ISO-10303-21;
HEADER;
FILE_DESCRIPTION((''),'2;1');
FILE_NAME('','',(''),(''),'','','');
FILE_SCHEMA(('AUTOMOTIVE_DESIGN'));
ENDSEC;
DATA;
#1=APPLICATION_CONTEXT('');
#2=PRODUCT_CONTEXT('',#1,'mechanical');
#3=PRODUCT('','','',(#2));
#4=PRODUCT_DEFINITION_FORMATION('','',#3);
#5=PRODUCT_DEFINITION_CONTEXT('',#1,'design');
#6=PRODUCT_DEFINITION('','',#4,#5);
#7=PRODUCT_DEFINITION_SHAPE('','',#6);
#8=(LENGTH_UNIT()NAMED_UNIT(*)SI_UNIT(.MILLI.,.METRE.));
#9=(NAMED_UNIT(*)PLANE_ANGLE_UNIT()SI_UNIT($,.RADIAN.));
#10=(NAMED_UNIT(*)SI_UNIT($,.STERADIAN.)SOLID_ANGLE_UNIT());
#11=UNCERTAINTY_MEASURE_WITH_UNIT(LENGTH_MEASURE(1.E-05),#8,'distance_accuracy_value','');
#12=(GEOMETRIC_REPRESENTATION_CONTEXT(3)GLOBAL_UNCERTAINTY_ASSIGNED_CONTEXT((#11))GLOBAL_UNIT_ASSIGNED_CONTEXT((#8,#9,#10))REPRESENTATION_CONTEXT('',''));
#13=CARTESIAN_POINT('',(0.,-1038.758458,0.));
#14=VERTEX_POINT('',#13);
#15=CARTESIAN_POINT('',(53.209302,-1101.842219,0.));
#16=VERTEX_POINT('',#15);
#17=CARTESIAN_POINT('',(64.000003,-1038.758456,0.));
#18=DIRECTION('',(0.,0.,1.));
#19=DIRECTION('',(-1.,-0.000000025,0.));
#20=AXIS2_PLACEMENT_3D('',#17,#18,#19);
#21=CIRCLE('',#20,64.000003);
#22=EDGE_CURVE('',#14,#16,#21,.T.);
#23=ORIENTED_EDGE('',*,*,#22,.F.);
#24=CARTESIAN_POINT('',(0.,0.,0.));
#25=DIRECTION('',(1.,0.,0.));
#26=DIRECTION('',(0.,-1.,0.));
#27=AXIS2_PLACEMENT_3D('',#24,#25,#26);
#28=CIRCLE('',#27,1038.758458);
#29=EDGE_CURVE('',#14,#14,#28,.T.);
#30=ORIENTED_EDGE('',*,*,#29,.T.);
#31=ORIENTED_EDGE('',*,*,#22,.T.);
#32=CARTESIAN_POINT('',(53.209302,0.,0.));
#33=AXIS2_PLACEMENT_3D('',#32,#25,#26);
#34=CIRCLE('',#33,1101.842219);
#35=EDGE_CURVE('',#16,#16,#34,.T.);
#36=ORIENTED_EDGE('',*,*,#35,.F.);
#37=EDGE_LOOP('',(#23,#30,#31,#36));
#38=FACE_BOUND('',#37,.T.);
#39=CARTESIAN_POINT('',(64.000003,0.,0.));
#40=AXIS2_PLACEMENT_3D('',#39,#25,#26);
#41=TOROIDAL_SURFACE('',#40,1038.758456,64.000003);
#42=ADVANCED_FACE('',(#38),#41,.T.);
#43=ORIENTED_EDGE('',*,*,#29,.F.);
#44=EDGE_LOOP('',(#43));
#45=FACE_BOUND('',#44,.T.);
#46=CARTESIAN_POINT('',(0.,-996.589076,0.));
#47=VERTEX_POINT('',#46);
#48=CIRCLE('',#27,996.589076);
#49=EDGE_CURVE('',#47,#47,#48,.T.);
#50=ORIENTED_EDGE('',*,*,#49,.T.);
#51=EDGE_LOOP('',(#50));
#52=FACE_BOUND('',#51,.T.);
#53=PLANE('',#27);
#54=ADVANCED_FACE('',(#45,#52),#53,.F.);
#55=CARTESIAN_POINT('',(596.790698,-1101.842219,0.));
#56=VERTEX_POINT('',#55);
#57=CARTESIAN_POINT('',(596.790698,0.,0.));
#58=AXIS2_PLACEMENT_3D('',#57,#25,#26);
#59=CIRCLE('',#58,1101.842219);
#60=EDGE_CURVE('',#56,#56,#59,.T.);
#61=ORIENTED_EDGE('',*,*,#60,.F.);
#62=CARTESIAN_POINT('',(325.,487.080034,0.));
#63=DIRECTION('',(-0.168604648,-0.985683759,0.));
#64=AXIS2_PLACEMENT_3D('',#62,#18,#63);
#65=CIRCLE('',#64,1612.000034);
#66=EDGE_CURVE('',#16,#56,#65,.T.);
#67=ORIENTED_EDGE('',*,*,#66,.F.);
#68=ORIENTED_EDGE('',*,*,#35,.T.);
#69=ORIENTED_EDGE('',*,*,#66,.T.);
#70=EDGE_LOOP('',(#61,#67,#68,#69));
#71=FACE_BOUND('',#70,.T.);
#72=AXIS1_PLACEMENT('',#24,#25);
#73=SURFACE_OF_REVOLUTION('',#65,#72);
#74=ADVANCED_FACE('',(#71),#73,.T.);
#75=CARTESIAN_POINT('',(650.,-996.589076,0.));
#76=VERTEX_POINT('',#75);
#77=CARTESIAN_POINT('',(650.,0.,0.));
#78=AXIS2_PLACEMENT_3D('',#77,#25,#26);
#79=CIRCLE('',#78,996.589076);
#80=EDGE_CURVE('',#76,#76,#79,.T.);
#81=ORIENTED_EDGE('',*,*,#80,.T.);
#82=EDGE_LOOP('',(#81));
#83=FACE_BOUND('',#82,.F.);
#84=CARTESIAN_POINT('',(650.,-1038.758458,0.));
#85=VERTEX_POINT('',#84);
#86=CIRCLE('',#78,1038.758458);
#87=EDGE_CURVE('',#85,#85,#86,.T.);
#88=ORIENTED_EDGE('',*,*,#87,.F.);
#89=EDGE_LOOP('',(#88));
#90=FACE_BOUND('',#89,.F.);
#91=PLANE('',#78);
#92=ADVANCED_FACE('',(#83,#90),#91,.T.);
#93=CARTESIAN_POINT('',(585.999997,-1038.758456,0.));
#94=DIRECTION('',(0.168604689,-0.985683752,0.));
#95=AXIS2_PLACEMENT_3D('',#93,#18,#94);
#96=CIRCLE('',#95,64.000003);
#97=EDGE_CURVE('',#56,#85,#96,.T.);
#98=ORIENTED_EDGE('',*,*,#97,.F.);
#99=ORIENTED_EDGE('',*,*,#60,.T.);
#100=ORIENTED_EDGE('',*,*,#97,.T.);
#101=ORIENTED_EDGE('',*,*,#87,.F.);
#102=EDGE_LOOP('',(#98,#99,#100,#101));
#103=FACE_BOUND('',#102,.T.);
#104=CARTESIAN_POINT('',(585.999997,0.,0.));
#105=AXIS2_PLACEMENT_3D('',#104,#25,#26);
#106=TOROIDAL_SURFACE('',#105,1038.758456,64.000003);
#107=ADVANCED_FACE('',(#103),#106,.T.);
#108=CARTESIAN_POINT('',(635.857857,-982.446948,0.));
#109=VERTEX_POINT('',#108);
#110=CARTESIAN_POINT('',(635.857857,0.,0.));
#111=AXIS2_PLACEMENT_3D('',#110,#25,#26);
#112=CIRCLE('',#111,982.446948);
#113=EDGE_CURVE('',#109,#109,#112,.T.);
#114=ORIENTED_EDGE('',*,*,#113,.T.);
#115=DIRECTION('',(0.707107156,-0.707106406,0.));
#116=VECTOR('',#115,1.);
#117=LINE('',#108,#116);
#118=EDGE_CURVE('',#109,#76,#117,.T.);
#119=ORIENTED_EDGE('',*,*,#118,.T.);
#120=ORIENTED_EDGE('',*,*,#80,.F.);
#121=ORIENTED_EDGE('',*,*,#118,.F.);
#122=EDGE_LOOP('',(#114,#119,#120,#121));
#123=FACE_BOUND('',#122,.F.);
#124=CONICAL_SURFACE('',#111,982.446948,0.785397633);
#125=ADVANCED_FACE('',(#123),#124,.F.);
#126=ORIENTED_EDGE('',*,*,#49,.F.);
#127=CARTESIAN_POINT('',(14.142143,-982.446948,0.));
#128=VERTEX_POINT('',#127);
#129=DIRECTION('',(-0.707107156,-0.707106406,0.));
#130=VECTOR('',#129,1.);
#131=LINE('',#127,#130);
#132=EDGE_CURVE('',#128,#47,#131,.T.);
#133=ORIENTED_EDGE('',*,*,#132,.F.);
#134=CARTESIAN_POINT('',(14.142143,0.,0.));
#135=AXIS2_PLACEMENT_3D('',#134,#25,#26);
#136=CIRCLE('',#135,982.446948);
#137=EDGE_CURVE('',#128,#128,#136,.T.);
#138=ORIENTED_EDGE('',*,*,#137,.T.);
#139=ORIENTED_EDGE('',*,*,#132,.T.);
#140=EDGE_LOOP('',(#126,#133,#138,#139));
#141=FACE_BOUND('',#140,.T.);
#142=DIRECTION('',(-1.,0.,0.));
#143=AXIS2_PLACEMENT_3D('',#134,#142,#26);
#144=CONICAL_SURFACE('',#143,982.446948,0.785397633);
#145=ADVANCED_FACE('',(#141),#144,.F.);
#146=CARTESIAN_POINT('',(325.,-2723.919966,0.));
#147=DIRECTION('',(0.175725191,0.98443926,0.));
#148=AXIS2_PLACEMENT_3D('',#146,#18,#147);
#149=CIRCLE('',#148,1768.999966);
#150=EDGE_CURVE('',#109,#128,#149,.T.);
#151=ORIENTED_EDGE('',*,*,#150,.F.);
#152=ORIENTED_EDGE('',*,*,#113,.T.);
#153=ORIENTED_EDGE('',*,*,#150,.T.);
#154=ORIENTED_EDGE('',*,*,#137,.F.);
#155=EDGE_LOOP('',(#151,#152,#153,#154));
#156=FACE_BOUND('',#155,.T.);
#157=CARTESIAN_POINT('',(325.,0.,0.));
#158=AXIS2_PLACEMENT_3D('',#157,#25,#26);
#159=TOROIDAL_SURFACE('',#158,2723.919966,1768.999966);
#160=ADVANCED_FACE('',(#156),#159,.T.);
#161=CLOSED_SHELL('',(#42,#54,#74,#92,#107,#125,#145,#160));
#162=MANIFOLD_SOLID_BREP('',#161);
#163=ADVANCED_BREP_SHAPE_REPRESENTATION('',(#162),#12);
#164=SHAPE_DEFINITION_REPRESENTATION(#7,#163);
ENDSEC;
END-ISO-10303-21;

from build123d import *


with BuildPart() as part:
    # Sketch → Revolution (revolve)
    with BuildSketch(Plane.XY):
        with BuildLine():
            Line((0, -996.589076), (0, -1038.758458))
            ThreePointArc((0, -1038.758458), (15.078611, -1080.022215), (53.209302, -1101.842219))
            ThreePointArc((53.209302, -1101.842219), (325, -1124.92), (596.790698, -1101.842219))
            ThreePointArc((596.790698, -1101.842219), (634.921389, -1080.022215), (650, -1038.758458))
            Line((650, -996.589076), (650, -1038.758458))
            Line((635.857857, -982.446948), (650, -996.589076))
            ThreePointArc((635.857857, -982.446948), (325, -954.92), (14.142143, -982.446948))
            Line((14.142143, -982.446948), (0, -996.589076))
        make_face()
    revolve(axis=Axis((0, 0, 0), (1, 0, 0)))


solid = part.part
